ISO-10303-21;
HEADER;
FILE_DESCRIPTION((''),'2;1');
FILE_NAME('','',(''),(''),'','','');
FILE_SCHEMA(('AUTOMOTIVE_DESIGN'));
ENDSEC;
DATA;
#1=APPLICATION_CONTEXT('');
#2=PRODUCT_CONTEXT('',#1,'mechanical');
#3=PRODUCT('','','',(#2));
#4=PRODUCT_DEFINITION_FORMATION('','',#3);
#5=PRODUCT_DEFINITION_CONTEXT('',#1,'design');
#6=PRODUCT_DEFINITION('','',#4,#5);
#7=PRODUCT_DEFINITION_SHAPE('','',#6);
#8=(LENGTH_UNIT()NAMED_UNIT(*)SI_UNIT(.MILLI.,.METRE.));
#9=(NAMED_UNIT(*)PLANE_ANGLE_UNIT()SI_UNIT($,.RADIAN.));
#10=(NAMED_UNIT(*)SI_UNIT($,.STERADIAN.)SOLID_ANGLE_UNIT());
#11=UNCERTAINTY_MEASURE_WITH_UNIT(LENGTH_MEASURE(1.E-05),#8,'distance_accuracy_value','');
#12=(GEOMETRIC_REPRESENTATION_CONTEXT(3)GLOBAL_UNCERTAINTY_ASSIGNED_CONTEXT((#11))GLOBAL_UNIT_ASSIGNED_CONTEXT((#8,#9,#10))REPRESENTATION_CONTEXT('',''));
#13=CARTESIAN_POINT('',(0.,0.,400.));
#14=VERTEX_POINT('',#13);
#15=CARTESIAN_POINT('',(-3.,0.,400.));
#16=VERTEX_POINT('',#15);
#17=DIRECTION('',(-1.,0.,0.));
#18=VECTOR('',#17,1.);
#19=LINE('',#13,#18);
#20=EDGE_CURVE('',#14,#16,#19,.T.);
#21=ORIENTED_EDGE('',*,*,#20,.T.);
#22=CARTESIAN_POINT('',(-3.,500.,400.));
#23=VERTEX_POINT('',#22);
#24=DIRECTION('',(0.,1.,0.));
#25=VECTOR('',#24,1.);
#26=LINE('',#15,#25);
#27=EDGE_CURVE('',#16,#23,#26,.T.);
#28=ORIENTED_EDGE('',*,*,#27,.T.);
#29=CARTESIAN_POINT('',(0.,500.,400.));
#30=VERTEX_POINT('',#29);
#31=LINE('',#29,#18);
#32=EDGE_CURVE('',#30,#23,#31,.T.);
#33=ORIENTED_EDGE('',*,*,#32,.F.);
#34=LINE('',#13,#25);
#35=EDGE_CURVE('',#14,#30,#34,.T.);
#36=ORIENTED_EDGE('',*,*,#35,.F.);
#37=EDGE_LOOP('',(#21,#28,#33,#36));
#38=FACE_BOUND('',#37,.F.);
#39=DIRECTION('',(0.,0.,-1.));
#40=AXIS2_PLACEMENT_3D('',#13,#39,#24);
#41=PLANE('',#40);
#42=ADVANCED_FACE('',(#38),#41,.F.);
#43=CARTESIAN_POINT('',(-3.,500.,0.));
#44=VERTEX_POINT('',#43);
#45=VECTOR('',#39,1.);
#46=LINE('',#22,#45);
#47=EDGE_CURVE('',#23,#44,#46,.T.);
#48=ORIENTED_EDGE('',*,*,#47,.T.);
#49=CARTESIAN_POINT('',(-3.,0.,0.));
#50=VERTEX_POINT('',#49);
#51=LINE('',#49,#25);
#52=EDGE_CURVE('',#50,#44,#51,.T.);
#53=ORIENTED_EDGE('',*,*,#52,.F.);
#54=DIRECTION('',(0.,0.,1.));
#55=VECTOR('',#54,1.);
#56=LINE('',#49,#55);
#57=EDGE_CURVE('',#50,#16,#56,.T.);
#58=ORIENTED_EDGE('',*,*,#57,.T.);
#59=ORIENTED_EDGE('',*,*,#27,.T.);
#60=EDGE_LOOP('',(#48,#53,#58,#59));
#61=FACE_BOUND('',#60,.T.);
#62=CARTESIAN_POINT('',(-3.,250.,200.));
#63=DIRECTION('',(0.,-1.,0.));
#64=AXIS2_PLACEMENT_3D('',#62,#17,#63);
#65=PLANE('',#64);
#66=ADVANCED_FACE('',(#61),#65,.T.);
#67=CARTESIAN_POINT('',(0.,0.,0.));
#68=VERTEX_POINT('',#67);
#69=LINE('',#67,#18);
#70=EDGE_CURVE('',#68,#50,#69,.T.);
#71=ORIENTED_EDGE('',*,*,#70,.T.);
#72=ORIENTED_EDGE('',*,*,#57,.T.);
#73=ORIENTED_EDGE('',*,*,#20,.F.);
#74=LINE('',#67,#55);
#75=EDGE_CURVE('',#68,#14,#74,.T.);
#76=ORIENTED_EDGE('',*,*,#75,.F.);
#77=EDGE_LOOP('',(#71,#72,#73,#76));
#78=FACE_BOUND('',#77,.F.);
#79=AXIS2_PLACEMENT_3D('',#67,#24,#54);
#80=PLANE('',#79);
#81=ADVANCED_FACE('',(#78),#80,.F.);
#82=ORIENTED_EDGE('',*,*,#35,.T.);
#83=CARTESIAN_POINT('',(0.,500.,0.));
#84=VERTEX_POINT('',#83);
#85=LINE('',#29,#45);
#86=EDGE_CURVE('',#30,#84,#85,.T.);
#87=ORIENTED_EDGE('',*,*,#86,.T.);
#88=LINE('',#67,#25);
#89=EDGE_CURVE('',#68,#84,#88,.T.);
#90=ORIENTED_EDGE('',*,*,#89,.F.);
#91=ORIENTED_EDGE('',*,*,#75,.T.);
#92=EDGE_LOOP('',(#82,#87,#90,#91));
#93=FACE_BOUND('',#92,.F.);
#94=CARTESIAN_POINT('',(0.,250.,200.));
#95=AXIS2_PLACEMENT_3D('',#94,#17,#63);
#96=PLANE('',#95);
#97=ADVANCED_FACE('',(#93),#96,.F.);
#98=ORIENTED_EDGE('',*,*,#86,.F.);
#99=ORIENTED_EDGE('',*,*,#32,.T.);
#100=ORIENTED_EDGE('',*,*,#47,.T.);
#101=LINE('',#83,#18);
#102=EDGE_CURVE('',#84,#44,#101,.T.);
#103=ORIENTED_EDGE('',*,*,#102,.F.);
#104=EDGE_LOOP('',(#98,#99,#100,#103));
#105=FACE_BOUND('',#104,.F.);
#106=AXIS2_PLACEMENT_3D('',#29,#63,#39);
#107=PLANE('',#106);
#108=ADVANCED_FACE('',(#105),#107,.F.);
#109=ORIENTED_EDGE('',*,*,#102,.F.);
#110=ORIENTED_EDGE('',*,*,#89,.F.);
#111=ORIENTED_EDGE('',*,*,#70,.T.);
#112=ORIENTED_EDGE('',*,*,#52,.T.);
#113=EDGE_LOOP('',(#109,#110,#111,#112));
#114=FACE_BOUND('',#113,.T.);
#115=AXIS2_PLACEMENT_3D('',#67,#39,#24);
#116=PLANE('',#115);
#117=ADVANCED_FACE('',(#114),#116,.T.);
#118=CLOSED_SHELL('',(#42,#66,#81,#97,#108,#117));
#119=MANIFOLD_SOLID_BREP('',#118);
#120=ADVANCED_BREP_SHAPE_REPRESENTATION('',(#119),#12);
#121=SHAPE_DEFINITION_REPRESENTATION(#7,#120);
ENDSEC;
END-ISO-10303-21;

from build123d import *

# Parameters (mm, degrees)
PAD_DEPTH = 3


with BuildPart() as part:
    # Sketch → Pad (new body)
    with BuildSketch(Plane.YZ):
        Polygon((0, 0), (0, 400), (500, 400), (500, 0), (250, 0), align=None)
    extrude(amount=-PAD_DEPTH)


solid = part.part
